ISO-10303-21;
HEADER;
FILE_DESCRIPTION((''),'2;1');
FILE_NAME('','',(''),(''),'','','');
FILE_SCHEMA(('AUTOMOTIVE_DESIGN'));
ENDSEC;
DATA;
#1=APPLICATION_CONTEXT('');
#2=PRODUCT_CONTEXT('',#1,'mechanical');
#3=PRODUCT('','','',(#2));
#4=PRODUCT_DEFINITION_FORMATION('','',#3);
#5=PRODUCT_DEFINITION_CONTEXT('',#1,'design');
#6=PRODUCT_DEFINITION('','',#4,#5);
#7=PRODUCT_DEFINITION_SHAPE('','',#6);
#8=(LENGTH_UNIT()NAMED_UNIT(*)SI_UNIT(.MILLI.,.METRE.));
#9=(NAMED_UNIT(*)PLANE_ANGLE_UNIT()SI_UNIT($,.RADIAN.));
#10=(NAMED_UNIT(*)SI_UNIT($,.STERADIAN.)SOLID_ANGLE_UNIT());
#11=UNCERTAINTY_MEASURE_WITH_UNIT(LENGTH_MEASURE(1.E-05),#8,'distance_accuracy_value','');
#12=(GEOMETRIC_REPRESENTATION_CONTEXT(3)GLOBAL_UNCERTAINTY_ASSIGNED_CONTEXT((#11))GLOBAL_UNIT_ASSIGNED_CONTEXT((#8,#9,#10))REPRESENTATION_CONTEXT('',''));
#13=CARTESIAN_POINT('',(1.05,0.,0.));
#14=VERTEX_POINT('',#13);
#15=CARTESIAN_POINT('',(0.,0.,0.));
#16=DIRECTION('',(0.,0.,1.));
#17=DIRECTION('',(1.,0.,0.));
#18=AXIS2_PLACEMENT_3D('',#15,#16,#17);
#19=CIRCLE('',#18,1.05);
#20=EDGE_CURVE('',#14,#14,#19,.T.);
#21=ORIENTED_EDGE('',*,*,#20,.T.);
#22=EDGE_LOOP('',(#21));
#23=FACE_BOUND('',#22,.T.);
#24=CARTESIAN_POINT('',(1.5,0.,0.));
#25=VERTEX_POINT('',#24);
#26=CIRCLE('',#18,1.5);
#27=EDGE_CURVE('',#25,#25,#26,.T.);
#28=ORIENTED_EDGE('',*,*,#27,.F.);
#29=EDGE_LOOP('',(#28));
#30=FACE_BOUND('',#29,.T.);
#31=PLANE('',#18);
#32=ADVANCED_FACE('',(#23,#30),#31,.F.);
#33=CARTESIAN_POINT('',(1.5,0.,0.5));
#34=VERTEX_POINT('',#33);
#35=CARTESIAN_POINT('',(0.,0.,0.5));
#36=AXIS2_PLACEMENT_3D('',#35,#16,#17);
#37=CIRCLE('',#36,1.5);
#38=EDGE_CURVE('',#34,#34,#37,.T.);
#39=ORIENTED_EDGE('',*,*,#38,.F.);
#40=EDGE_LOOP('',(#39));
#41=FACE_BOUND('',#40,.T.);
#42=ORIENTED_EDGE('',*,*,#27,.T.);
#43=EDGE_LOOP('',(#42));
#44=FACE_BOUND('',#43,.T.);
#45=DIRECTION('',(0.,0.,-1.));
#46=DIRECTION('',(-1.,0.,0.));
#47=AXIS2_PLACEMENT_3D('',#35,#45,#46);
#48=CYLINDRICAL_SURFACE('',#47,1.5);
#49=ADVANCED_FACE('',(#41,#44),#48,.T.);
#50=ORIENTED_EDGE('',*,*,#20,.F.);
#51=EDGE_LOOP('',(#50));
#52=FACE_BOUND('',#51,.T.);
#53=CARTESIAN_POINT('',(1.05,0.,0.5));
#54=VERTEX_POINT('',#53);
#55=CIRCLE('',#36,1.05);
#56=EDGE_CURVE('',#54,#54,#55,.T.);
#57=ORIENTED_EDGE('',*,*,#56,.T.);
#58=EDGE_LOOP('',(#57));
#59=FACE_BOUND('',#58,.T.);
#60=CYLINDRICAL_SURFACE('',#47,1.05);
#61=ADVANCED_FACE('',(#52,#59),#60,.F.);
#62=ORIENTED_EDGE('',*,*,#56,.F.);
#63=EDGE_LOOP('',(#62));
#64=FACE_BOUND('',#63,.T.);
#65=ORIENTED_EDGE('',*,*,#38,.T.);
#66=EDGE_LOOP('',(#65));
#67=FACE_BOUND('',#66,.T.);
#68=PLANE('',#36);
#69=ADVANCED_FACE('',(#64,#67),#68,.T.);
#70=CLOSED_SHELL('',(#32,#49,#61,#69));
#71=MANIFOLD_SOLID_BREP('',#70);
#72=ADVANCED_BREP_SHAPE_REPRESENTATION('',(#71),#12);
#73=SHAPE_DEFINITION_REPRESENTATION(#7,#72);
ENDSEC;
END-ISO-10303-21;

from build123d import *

# Parameters (mm, degrees)
SKETCH1_R    = 1.5
SKETCH1_R_2  = 1.05
SPACER_DEPTH = 0.5


with BuildPart() as part:
    # Sketch1 → Spacer (new body)
    with BuildSketch(Plane.XY):
        Circle(SKETCH1_R)
        Circle(SKETCH1_R_2, mode=Mode.SUBTRACT)
    extrude(amount=SPACER_DEPTH)


solid = part.part
